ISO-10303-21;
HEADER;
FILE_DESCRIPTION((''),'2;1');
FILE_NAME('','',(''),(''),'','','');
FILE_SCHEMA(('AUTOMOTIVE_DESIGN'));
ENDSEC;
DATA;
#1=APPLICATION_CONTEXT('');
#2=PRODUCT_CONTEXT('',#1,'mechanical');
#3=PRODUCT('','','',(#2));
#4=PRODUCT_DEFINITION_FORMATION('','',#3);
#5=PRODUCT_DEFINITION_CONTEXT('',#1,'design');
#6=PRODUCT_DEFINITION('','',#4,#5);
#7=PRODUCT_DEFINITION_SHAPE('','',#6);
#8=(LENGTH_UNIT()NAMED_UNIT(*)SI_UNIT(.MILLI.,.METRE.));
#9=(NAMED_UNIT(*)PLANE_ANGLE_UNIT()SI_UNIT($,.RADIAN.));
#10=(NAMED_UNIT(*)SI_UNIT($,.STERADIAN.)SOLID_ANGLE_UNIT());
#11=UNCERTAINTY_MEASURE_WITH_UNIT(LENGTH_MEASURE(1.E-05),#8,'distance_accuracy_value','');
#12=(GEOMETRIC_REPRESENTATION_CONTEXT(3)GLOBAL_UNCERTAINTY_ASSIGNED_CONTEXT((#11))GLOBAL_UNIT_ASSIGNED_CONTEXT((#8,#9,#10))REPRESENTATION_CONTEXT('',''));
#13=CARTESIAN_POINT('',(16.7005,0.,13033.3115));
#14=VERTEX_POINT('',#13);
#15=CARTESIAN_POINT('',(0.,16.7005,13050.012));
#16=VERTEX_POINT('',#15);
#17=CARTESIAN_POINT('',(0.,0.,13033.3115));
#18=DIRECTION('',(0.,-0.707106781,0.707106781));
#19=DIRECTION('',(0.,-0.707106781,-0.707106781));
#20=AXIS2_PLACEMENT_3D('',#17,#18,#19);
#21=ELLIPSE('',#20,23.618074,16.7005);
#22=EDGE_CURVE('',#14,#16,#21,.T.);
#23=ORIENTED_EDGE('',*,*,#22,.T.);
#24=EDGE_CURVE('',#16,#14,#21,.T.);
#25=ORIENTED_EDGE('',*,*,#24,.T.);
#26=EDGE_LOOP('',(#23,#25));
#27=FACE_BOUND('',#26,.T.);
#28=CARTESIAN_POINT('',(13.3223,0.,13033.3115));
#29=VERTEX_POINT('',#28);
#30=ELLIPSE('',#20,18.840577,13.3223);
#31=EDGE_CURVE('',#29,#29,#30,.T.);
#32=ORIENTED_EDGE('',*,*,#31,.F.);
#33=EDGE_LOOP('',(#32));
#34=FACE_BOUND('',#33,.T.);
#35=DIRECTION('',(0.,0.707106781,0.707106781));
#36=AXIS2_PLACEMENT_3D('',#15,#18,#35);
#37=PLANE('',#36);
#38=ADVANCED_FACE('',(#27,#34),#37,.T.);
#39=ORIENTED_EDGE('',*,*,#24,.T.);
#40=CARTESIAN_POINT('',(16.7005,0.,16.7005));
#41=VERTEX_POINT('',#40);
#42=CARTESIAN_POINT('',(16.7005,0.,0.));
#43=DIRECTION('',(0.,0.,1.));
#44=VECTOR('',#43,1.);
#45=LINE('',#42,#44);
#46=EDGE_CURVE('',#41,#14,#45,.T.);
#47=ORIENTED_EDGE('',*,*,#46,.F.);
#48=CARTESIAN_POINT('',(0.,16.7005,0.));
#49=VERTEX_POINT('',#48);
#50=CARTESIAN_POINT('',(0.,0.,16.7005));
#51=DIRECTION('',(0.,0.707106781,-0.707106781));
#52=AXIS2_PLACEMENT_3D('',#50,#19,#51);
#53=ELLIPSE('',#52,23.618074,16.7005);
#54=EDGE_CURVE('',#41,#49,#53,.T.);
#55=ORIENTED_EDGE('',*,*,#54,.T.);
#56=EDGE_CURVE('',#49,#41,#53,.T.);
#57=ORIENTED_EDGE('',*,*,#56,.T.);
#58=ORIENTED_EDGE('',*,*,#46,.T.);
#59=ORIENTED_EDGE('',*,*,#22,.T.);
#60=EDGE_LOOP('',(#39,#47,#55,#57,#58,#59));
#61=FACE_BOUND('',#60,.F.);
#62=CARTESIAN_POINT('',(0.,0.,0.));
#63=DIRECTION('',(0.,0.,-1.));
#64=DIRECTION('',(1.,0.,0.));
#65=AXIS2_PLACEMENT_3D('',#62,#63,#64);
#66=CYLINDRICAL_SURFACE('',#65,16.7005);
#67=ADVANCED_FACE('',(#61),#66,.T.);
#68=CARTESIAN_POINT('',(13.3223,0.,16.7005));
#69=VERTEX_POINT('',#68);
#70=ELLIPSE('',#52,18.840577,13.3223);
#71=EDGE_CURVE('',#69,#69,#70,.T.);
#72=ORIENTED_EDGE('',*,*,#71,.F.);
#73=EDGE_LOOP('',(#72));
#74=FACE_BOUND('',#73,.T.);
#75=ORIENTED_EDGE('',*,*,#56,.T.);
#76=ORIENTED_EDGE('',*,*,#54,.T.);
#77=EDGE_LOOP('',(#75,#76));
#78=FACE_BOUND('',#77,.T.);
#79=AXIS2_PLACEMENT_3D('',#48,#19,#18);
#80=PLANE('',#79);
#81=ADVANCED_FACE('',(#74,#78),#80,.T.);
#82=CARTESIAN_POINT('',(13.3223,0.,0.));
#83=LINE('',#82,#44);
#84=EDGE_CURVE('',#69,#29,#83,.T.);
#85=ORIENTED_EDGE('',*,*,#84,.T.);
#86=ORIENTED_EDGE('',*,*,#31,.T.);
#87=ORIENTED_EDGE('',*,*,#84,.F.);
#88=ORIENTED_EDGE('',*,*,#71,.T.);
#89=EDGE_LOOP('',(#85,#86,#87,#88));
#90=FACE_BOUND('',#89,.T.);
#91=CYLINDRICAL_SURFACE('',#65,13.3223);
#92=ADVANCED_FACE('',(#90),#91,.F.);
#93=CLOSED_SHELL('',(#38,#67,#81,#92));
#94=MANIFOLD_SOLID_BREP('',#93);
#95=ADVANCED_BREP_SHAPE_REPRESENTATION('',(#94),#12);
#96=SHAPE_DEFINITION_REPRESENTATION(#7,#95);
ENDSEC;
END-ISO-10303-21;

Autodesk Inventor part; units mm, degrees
ref_plane "Start plane" through (0, 0, 0) normal (0, 0, 1) x (1, 0, 0)
ref_plane "End plane" through (0, 0, 13050.012) normal (0, 0, 1) x (1, 0, 0)
sketch "Sketch" plane through (0, 0, 0) normal (0, 0, 1) x (1, 0, 0)
  circle A0 centre (0, 0) radius 13.3223
  circle A1 centre (0, 0) radius 16.7005
  dimension "d0" = 33.401
  dimension "d1" = 3.3782
extrude "Body" add sketch "Sketch" along normal up to surface (13050.012 mm away) from surface at 0
sketch "Sketch3" plane through (0, 0, 0) normal (0, 0, 1) x (1, 0, 0)
  line L0 (0, 0) -> (10, 0)
ref_plane "Work Plane3" through (0, 0, 0) normal (0, -1, 0) x (1, 0, 0)
sketch "Sketch4" plane through (0, 0, 0) normal (0, -1, 0) x (1, 0, 0)
  line L0 (-2, 0) -> (12, 0)
  line L1 (-2, 13050.012) -> (12, 13050.012)
  dimension "d7" = 13050.012
ref_plane "Work Plane4" through (0, 16.7005, 13050.012) normal (0, -0.7071, 0.7071) x (1, 0, 0)
split "Split1" plane through (0, 16.7005, 13050.012) removes the side toward (0, -0.7071, 0.7071)
ref_plane "Work Plane5" through (0, 16.7005, 0) normal (0, -0.7071, -0.7071) x (1, 0, 0)
split "Split2" plane through (0, 16.7005, 0) removes the side toward (0, -0.7071, -0.7071)
equation "\"d0\" = G_H"
equation "\"d1\" = G_T"
equation "\"d2\" = G_L"
equation "\"G_H\" = 33.401"
equation "\"G_T\" = 3.3782"
equation "\"G_L\" = d7"
equation "\"G_OFFSET_START\" = 0"
equation "\"G_OFFSET_END\" = 33.401"
equation "\"d5\" = G_OFFSET_END + B_L"
equation "\"B_L\" = 13016.611"
properties part number "ANSI 1 x 0.133 00000002" material "Aluminum 6061"
